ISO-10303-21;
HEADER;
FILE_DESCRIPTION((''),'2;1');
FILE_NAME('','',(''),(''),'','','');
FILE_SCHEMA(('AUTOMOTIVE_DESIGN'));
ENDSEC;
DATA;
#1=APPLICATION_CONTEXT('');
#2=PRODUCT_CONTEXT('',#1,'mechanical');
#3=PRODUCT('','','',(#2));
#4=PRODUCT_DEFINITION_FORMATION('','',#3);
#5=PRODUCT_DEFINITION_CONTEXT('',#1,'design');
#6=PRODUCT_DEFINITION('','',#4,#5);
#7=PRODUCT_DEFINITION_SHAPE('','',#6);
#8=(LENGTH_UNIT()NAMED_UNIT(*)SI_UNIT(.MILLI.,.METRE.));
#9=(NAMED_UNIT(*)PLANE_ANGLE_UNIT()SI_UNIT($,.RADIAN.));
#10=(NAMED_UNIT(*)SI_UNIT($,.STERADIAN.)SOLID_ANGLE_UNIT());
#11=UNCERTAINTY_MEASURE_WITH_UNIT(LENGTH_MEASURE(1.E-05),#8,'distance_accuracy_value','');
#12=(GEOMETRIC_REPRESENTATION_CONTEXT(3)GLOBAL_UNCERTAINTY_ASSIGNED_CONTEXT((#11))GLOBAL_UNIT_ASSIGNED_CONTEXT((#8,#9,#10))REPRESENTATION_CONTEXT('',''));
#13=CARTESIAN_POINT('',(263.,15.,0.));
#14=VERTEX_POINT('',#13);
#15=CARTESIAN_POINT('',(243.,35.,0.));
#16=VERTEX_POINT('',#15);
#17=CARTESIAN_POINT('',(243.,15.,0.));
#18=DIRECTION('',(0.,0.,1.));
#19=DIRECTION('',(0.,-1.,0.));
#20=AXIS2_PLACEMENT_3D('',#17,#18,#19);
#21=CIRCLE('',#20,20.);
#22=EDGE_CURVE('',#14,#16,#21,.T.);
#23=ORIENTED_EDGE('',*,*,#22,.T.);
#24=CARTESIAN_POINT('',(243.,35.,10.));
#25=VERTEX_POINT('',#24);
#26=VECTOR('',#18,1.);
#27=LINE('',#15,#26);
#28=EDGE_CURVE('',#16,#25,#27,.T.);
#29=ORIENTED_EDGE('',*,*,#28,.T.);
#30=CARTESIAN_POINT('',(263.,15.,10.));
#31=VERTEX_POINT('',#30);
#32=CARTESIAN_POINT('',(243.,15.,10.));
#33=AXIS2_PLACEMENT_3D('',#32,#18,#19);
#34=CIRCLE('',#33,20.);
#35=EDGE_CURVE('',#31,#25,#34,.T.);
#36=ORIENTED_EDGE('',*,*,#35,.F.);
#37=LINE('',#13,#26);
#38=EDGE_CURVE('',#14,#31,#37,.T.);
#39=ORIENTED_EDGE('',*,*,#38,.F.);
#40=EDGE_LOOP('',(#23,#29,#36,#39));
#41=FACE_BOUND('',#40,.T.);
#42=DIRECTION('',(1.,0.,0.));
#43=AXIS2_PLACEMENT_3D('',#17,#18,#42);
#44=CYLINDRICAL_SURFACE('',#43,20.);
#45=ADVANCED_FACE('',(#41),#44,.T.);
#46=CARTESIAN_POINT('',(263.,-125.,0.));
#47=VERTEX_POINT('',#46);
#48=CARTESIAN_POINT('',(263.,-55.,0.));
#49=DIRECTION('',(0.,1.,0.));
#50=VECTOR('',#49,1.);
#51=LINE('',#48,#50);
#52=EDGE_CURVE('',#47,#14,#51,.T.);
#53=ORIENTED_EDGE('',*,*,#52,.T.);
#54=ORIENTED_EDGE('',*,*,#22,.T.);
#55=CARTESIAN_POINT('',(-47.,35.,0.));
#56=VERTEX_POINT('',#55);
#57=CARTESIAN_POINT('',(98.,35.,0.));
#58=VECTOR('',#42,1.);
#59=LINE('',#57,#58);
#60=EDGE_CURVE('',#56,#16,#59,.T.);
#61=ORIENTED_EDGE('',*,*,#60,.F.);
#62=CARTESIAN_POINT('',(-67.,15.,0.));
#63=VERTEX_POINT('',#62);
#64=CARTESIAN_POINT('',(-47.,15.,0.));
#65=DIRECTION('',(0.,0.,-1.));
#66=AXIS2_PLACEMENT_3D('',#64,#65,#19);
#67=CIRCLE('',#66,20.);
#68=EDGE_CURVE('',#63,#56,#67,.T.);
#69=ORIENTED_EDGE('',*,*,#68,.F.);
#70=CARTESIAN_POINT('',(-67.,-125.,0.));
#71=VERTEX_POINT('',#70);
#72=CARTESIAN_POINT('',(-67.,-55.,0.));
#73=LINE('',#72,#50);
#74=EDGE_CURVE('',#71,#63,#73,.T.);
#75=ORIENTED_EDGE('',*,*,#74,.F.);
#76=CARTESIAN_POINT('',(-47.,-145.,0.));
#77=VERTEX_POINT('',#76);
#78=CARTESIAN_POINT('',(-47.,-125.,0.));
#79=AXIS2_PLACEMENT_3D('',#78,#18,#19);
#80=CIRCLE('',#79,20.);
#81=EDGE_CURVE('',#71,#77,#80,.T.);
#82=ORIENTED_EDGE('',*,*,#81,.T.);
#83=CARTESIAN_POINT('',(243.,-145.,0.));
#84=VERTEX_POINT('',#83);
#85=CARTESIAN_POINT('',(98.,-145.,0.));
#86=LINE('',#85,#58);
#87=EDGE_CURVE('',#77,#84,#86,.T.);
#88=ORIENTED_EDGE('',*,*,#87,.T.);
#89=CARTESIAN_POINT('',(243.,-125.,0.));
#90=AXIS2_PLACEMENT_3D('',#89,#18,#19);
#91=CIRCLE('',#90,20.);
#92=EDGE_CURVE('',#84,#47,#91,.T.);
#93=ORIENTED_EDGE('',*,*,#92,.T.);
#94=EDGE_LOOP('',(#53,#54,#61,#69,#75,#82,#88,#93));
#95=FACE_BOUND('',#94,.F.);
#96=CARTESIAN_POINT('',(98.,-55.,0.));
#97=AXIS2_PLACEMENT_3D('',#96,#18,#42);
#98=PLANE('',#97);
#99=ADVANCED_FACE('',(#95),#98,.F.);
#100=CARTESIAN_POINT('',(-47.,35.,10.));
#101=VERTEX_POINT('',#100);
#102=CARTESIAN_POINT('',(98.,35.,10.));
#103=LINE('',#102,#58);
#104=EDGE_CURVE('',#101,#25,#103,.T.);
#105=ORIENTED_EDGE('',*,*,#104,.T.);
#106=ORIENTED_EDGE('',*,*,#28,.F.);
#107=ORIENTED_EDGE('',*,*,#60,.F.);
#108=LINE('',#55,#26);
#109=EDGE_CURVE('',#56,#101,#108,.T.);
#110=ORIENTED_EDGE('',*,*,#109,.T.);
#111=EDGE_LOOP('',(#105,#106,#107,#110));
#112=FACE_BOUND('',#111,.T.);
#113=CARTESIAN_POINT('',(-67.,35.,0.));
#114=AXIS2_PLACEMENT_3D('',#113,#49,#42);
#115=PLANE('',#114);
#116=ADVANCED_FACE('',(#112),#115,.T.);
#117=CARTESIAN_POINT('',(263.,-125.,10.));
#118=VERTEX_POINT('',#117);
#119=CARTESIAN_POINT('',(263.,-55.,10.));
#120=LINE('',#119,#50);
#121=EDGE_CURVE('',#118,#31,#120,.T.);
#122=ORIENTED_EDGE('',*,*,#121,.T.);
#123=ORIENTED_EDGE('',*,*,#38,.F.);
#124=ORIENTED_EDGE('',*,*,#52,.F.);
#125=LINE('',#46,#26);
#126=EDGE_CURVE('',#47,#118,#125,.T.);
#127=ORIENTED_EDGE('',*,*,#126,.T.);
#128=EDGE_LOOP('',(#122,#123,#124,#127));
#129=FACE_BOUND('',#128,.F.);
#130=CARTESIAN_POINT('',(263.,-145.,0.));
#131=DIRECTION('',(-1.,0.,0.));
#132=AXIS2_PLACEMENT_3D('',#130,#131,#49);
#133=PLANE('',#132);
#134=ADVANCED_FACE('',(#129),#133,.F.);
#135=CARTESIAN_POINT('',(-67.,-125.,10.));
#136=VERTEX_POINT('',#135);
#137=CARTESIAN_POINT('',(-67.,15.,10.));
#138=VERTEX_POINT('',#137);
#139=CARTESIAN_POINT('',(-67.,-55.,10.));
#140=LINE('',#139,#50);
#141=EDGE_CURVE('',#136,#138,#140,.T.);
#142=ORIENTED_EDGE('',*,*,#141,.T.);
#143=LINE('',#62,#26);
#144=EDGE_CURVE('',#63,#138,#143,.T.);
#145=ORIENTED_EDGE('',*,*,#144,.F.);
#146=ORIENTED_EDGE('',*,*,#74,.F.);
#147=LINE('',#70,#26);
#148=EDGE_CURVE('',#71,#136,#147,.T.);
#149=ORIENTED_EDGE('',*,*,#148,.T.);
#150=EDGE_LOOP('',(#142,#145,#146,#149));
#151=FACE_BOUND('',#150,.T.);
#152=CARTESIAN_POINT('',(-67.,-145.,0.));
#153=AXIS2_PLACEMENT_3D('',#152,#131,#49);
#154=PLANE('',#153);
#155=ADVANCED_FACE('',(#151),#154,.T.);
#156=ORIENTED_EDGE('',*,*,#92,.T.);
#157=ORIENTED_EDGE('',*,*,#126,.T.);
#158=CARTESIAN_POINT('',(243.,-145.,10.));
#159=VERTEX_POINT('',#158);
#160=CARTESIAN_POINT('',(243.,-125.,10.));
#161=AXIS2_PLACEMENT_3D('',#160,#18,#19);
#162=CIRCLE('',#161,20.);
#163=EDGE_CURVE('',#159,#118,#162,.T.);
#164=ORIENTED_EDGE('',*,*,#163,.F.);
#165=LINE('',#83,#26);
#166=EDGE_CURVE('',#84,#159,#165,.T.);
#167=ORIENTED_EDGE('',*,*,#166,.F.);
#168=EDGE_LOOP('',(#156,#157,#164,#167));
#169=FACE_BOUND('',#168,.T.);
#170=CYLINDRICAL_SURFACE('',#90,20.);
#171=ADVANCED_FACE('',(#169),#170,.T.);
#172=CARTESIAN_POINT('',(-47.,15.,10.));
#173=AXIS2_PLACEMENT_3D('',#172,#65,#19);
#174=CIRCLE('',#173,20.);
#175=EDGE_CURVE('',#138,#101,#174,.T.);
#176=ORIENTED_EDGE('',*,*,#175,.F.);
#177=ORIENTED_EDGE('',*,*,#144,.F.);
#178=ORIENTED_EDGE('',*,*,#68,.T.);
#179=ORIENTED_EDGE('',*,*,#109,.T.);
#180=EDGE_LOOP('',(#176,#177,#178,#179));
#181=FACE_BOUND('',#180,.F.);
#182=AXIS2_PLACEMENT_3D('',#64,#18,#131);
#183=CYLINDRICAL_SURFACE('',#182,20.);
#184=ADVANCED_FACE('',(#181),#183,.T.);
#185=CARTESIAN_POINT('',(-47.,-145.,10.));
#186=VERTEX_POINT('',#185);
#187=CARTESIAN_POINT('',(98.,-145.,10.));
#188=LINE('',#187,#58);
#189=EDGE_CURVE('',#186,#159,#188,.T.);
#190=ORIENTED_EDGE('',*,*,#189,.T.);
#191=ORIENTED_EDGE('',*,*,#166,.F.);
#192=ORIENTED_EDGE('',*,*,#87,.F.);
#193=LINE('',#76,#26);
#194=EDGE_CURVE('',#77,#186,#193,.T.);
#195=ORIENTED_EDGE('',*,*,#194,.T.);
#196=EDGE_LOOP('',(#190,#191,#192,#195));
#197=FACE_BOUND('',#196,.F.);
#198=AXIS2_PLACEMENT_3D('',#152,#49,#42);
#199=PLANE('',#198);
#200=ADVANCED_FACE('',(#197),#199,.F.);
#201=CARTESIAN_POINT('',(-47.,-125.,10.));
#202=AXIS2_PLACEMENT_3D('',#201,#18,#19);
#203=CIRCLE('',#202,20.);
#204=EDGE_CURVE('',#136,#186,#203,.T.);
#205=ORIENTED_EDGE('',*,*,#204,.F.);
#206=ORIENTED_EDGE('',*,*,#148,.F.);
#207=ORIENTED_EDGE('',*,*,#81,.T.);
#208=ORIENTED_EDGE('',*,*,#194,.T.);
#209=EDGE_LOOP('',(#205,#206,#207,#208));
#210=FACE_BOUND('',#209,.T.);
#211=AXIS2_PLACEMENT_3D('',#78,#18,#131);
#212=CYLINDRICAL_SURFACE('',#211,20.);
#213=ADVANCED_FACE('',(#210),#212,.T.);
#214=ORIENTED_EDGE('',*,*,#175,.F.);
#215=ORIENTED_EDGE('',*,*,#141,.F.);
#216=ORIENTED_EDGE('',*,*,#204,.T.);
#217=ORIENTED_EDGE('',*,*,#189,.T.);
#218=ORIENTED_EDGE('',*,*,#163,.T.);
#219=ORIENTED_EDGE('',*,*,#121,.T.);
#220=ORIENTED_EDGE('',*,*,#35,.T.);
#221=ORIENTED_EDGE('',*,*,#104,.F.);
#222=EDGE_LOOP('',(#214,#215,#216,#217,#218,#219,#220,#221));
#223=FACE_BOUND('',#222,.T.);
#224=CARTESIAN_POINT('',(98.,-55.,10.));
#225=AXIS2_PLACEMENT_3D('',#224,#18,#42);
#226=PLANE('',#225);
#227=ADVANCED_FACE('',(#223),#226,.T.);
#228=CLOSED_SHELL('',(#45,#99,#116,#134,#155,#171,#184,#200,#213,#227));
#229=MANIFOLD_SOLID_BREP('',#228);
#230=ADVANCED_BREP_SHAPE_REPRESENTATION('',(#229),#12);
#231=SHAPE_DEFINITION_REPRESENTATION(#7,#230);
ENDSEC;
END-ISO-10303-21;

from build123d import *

# Parameters (mm, degrees)
SKETCH_W  = 330
SKETCH_H  = 180
PAD_DEPTH = 10
FILLET_R  = 20


with BuildPart() as part:
    # Sketch → Pad (new body)
    with BuildSketch(Plane.XY):
        with Locations((98, -55)):
            Rectangle(SKETCH_W, SKETCH_H)
    extrude(amount=PAD_DEPTH)

    # Fillet
    fillet_edges = [part.edges().sort_by_distance(p)[0] for p in [
        (-67, -145, 5),
        (263, -145, 5),
        (263, 35, 5),
        (-67, 35, 5),
    ]]
    fillet(fillet_edges, radius=FILLET_R)


solid = part.part
